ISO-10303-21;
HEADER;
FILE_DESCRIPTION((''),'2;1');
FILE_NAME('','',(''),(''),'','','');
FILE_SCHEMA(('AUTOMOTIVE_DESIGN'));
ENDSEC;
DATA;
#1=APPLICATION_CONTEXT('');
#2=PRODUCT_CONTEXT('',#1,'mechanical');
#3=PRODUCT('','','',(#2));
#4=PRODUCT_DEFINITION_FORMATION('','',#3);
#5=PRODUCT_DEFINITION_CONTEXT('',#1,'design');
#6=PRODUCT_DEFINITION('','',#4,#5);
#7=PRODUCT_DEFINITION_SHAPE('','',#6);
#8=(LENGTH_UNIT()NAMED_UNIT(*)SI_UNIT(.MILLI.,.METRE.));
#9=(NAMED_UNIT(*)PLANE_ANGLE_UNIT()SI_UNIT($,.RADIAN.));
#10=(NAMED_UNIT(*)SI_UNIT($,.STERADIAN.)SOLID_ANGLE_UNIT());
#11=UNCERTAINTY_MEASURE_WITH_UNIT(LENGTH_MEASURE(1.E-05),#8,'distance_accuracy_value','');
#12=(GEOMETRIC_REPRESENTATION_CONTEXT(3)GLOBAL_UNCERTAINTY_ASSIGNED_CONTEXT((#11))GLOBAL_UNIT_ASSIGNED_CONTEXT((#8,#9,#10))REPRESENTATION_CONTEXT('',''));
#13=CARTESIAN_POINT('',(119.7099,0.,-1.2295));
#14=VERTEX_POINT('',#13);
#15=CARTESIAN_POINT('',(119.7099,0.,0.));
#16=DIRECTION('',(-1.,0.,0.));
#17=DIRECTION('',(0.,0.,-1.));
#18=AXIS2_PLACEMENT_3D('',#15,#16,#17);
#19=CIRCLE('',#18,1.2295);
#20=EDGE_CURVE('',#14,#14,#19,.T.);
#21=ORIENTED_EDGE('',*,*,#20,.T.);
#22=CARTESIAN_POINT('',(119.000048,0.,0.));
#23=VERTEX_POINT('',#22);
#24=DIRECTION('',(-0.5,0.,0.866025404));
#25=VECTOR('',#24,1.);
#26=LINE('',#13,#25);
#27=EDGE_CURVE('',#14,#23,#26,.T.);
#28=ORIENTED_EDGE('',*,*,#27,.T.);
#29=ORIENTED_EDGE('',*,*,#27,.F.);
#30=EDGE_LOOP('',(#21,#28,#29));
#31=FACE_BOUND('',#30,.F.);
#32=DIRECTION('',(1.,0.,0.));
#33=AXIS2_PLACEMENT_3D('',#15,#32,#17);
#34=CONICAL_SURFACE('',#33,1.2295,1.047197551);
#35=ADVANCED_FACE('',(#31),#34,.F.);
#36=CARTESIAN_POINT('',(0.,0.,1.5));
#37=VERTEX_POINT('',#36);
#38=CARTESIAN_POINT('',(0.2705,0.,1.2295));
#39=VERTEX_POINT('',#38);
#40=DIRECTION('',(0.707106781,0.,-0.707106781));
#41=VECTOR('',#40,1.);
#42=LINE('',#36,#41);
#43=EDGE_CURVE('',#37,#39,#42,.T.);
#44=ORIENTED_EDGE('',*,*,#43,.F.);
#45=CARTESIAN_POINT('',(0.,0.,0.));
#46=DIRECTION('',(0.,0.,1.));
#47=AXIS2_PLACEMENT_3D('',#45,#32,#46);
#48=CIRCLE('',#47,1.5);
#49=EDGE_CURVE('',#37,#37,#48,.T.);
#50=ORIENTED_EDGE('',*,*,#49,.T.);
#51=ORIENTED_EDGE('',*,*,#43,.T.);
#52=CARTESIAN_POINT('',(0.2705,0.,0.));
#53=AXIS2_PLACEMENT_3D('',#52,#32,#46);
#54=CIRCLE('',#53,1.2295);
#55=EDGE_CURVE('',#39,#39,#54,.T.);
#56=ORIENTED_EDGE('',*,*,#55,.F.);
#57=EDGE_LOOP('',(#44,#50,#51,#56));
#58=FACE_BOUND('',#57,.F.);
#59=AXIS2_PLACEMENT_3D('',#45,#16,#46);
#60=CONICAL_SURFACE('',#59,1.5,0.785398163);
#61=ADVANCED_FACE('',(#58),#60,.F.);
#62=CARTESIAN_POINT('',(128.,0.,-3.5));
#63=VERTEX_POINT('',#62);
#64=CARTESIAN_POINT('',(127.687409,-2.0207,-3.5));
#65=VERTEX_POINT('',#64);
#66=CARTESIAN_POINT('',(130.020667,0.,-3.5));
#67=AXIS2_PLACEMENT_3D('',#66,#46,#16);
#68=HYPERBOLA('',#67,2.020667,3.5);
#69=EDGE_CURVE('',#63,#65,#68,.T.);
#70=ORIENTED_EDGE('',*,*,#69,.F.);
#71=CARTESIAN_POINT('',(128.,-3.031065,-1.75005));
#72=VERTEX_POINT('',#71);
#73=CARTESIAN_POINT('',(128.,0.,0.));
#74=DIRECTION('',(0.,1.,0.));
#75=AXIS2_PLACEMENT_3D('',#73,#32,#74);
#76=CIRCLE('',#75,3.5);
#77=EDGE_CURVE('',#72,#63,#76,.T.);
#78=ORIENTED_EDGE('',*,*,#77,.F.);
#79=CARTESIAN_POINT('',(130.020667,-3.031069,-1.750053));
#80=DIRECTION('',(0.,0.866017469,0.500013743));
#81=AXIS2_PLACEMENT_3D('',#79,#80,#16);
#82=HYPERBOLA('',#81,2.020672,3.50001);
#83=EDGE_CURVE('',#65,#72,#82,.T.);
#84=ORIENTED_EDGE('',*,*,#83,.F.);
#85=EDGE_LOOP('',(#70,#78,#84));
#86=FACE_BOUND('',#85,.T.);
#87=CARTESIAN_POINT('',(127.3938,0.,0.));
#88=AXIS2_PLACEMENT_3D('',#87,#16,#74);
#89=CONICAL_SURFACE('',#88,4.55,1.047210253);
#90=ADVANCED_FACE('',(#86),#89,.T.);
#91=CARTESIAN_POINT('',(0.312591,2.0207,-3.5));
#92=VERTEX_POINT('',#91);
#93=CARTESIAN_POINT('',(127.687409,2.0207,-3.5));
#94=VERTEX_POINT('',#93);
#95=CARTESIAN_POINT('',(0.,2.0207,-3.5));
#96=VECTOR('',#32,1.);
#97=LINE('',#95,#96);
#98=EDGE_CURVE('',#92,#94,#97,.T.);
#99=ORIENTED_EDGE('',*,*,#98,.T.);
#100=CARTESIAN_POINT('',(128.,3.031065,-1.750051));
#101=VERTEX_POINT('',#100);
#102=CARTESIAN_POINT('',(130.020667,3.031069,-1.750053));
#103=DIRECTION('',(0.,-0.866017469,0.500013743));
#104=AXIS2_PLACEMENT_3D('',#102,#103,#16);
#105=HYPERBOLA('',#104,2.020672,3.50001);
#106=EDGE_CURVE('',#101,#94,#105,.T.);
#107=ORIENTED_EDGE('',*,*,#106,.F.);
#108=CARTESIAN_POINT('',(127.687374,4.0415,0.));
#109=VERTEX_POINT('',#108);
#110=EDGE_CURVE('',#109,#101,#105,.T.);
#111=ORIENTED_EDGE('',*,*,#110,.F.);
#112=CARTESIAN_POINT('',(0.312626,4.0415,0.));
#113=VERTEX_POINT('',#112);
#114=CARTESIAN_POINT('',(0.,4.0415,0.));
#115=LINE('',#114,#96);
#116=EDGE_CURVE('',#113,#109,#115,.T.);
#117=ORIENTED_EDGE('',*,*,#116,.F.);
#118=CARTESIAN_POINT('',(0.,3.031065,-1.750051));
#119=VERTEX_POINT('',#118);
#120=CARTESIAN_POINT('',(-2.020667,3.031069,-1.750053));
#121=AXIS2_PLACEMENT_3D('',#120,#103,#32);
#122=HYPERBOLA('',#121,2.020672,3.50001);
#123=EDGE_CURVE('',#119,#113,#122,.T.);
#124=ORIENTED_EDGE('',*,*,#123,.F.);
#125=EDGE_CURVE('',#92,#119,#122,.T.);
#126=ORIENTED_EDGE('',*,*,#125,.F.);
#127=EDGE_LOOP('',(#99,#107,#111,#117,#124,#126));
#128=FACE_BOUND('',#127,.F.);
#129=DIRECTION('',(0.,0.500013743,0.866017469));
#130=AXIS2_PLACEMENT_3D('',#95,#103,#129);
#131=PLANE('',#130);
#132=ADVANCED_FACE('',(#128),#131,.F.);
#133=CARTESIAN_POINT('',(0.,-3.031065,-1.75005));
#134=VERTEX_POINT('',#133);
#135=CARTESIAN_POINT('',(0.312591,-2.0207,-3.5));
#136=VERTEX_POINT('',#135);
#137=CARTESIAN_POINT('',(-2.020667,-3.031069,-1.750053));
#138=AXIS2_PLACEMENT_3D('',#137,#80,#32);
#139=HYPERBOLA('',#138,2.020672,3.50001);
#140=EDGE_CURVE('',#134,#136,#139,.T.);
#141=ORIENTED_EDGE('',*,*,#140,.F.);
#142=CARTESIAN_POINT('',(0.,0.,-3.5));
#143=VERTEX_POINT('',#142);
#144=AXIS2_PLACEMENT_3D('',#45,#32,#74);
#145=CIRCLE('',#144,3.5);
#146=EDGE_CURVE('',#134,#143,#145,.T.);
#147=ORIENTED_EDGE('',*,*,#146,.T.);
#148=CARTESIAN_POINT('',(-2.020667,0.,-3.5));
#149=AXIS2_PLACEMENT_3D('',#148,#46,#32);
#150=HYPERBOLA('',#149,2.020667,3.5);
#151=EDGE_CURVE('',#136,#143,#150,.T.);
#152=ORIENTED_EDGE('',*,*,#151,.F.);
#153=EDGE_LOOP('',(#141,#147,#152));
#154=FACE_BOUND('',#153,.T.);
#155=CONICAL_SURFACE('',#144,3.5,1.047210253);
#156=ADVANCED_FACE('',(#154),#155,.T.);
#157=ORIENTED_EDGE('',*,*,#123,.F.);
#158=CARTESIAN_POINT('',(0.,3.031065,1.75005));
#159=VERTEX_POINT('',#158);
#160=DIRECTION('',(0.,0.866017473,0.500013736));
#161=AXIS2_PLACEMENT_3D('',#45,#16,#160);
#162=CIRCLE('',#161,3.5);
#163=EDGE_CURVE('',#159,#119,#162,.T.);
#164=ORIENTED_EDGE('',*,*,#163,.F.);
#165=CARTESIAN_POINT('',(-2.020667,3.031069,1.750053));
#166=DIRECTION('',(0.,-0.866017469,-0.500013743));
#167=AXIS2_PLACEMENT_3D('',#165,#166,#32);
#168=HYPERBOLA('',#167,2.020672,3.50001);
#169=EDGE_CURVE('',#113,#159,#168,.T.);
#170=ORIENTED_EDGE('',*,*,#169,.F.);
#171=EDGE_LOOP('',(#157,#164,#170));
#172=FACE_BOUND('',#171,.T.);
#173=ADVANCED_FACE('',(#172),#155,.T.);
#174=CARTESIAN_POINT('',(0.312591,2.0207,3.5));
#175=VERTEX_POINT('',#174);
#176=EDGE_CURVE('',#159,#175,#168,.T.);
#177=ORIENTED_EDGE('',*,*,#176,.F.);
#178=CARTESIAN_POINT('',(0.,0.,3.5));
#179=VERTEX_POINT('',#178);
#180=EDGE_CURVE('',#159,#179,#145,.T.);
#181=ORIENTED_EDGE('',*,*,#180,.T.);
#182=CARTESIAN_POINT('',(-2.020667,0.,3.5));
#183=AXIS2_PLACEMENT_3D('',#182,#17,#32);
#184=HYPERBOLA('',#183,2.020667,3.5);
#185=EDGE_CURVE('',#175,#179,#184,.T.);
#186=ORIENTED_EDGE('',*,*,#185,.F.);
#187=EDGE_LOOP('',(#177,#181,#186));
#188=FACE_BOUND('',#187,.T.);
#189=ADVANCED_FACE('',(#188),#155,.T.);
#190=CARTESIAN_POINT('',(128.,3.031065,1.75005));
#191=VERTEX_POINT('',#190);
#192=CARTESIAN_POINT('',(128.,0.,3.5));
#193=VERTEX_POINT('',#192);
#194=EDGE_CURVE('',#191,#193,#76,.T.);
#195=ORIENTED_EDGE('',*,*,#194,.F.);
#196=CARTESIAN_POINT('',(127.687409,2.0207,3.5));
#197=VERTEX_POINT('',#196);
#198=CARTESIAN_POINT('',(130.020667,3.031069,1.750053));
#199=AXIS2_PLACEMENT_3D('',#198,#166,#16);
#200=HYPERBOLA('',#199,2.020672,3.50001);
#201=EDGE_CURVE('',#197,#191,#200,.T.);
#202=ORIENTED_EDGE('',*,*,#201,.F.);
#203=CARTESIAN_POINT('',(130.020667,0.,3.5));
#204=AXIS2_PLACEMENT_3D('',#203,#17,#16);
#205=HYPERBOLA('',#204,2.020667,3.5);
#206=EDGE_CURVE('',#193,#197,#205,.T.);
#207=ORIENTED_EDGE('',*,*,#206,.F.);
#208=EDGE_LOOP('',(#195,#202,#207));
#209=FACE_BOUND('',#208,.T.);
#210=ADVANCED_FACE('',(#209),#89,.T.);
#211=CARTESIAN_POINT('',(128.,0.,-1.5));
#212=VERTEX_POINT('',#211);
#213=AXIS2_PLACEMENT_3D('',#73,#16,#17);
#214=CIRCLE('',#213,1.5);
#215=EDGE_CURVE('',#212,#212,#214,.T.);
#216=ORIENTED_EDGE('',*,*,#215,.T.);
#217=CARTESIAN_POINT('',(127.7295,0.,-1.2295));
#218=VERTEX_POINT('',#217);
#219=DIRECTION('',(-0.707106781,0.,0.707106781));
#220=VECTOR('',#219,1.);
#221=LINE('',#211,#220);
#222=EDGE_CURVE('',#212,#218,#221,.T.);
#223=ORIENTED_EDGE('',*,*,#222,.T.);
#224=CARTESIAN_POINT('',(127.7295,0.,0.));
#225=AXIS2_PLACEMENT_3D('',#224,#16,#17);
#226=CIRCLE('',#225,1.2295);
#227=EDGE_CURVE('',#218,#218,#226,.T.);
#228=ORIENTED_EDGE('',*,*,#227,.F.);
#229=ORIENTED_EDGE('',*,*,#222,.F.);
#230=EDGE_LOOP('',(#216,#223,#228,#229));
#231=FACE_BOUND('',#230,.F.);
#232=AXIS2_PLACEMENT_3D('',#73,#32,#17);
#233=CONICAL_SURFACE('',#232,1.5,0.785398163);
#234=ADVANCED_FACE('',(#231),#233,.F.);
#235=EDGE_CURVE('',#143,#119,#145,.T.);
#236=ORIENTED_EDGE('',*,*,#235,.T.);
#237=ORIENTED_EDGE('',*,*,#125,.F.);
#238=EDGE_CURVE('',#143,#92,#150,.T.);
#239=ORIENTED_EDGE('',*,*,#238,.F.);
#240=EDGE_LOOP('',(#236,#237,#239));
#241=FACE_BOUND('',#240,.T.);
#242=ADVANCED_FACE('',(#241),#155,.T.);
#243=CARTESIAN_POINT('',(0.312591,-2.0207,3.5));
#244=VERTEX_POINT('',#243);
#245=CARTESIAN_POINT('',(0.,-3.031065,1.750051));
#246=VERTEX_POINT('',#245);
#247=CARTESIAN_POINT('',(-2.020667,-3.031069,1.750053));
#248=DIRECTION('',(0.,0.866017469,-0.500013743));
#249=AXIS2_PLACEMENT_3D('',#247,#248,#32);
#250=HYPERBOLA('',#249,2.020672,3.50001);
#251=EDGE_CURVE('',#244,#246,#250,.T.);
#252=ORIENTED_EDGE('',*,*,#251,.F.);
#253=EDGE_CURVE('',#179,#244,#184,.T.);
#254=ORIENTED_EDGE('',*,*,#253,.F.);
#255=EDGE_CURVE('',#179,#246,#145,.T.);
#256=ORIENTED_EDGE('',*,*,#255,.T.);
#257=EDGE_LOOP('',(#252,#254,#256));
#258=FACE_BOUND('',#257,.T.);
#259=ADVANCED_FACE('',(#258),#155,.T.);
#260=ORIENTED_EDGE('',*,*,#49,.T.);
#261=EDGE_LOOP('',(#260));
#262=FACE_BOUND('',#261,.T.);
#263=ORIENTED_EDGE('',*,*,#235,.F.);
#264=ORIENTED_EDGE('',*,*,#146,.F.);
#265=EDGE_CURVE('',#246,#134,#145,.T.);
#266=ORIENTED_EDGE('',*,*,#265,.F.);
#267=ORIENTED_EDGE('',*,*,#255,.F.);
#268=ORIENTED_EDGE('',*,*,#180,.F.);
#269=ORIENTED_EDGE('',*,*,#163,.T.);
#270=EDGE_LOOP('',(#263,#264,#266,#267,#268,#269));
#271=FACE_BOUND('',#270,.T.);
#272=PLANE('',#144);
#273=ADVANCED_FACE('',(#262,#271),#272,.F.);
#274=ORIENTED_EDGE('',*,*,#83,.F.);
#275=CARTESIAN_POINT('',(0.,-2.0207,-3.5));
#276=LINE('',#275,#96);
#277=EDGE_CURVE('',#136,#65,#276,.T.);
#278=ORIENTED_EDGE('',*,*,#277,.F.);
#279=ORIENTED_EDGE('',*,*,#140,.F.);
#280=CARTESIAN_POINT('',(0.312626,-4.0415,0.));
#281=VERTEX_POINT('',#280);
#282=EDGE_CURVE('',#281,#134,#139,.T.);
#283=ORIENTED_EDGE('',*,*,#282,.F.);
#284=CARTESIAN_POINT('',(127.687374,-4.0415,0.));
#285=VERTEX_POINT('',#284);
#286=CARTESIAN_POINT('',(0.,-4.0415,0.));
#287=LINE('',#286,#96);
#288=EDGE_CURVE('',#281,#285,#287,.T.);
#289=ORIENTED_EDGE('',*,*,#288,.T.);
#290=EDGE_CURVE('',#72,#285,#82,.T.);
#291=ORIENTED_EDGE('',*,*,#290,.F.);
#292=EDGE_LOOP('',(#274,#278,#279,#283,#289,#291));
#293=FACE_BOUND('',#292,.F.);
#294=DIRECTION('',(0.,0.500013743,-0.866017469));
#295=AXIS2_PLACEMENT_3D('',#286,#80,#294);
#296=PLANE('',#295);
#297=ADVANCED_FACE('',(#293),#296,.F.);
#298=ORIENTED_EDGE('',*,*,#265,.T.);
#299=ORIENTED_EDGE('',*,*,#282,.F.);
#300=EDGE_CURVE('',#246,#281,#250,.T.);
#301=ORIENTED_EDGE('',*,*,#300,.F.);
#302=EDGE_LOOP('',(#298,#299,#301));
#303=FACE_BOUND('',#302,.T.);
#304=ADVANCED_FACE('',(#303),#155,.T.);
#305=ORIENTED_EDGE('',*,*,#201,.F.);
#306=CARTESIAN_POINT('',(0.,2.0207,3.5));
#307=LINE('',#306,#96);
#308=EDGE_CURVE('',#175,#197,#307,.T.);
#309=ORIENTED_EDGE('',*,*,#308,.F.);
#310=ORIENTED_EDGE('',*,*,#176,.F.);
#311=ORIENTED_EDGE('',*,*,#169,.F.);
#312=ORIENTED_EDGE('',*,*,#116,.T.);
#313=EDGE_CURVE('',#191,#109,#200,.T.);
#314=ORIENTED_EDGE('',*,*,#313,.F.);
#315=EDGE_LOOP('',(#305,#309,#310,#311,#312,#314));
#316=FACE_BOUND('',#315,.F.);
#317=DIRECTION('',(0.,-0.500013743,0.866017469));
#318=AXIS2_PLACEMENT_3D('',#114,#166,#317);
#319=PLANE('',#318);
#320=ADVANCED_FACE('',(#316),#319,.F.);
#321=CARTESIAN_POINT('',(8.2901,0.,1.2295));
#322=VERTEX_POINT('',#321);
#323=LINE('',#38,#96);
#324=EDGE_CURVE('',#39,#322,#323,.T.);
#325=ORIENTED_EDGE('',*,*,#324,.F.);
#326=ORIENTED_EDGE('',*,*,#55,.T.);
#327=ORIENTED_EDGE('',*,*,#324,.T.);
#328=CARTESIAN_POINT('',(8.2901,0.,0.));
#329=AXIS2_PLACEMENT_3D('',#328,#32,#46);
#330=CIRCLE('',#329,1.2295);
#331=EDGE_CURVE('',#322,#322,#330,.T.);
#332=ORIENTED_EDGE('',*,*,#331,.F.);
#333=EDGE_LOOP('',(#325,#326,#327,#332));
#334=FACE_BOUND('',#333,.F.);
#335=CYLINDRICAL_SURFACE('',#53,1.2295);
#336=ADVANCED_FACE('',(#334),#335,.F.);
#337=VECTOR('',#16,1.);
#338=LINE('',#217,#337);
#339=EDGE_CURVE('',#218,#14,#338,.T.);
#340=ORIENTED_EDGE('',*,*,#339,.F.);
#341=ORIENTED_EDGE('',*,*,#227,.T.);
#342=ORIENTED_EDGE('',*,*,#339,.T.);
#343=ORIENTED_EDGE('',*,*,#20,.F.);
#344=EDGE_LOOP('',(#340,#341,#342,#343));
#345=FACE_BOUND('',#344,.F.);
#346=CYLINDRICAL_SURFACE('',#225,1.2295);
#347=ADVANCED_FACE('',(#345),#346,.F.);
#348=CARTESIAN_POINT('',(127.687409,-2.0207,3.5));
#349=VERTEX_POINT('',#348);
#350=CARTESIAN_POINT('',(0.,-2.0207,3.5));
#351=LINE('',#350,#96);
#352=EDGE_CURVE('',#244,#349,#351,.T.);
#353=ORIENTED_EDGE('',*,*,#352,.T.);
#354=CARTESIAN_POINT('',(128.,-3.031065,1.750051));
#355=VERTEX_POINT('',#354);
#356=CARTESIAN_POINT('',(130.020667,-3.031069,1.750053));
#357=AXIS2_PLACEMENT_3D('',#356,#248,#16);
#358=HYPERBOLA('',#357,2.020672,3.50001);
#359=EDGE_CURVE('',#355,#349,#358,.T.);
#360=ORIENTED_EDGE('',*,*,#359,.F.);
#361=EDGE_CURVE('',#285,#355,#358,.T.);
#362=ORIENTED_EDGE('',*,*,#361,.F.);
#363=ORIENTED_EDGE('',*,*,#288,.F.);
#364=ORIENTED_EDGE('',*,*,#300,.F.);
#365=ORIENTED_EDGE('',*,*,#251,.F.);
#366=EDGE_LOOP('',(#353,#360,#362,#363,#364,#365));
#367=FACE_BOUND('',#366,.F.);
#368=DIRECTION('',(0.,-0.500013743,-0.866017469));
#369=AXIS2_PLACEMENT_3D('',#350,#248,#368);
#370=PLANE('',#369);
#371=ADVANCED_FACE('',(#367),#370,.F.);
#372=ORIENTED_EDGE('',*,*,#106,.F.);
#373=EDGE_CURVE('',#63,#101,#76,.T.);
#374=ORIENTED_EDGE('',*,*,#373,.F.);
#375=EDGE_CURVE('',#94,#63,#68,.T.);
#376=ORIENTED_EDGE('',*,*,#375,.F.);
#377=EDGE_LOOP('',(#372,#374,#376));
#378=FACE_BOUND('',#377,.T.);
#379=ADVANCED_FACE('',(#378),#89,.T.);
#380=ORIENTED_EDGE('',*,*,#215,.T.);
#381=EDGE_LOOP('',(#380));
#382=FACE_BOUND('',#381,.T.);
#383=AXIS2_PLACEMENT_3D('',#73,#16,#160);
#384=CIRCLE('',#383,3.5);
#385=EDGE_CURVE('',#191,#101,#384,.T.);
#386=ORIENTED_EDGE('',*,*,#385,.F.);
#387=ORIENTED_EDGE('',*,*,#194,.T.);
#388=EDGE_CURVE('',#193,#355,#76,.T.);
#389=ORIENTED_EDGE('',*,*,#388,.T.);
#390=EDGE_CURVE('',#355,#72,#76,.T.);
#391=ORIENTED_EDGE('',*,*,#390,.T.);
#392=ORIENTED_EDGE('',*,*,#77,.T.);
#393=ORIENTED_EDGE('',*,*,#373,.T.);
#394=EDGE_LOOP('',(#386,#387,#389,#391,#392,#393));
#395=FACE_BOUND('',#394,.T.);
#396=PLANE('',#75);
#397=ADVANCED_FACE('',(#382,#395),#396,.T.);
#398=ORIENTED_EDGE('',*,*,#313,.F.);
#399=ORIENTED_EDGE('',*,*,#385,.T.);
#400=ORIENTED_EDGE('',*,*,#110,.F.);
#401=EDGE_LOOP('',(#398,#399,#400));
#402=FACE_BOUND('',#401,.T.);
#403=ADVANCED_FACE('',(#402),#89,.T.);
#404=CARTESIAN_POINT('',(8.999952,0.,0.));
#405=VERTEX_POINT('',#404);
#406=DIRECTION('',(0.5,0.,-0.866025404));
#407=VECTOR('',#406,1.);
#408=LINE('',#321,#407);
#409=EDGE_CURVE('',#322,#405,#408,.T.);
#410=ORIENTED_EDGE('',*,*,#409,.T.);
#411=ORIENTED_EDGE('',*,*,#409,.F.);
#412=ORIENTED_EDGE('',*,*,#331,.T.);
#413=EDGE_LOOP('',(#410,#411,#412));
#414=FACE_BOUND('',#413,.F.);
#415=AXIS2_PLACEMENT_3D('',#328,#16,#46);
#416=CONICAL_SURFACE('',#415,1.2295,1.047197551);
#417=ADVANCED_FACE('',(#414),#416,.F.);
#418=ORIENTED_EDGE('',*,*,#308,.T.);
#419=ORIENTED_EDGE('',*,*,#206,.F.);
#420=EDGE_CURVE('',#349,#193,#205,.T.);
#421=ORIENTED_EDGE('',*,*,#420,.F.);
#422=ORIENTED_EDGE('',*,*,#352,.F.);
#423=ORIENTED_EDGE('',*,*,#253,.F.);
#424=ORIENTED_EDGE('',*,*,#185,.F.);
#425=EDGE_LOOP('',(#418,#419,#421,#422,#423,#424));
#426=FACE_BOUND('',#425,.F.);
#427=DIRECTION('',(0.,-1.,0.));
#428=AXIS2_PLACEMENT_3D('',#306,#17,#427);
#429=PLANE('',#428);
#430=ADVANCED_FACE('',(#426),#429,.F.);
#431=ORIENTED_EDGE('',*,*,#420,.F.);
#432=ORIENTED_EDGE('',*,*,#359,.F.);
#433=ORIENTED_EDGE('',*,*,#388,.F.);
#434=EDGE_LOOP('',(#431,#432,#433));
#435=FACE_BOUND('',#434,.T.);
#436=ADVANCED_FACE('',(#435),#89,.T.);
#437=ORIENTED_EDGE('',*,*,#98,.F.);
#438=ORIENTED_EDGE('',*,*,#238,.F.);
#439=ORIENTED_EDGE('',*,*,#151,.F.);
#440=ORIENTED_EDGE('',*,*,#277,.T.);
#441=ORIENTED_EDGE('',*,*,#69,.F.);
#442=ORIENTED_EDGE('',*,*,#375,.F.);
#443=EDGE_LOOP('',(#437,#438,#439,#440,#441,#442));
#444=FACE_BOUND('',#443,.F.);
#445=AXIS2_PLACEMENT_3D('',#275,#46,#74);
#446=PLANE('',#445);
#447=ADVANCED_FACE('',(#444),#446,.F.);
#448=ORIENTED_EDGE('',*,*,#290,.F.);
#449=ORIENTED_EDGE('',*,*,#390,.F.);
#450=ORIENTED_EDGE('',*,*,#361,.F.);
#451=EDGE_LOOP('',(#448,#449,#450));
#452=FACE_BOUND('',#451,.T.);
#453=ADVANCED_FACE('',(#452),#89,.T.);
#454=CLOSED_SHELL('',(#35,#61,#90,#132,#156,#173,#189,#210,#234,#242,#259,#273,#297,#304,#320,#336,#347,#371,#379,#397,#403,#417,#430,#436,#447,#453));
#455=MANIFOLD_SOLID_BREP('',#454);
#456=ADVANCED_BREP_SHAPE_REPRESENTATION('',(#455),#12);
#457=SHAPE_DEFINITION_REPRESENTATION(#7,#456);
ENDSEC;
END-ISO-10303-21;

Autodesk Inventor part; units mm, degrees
sketch "Sketch_1" plane through (0, 0, 0) normal (0, 0, 1) x (1, 0, 0)
  line L0 (128, 0) -> (0, 0)
  line L1 (0, 0) -> (0, 3.5)
  line L2 (0, 3.5) -> (0.6062, 4.55)
  line L3 (0.6062, 4.55) -> (127.3938, 4.55)
  line L4 (127.3938, 4.55) -> (128, 3.5)
  line L5 (128, 3.5) -> (128, 0)
  line L6 (128, 0) -> (0, 0)
revolve "Revolution1" add sketch "Sketch_1" angle 360 about axis through (128, 0, 0) along (1, 0, 0)
sketch "Sketch_2" plane through (0, 0, 0) normal (1, 0, 0) x (0, 1, 0)
  line L0 (7, 7) -> (-7, 7)
  line L1 (-7, 7) -> (-7, -7)
  line L2 (-7, -7) -> (7, -7)
  line L3 (7, -7) -> (7, 7)
  line L4 (-2.0207, 3.5) -> (-4.0415, 0)
  line L5 (-4.0415, 0) -> (-2.0207, -3.5)
  line L6 (-2.0207, -3.5) -> (2.0207, -3.5)
  line L7 (2.0207, -3.5) -> (4.0415, 0)
  line L8 (4.0415, 0) -> (2.0207, 3.5)
  line L9 (2.0207, 3.5) -> (-2.0207, 3.5)
extrude "Extrusion1" cut sketch "Sketch_2" along normal blind 128
sketch "Sketch3" plane through (0, 0, 0) normal (-1, 0, 0) x (0, 0, 1)
  point P0 (0, 0)
hole "Hole1" at (0, 0, 0) direction (1, 0, 0) diameter 2.459 depth 8.2901 tip angle 120 countersink diameter 3 countersink angle 90 thread size "M3x0.5" class "6H" standard "ISO Metric profile"
sketch "Sketch4" plane through (128, 0, 0) normal (1, 0, 0) x (0, 0, -1)
  point P0 (0, 0)
hole "Hole2" at (128, 0, 0) direction (-1, 0, 0) diameter 2.459 depth 8.2901 tip angle 120 countersink diameter 3 countersink angle 90 thread size "M3x0.5" class "6H" standard "ISO Metric profile"
ref_plane "C3_XY" through (128, 0, 0) normal (-1, 0, 0) x (0, 0, -1)
ref_plane "C3_YZ" through (128, 0, 0) normal (0, 0, -1) x (0, -1, 0)
ref_plane "C3_ZX" through (128, 0, 0) normal (0, -1, 0) x (-1, 0, 0)
properties part number "SLSBF7-128-M3-N3" material "ステンレス鋼 AISI 304"
